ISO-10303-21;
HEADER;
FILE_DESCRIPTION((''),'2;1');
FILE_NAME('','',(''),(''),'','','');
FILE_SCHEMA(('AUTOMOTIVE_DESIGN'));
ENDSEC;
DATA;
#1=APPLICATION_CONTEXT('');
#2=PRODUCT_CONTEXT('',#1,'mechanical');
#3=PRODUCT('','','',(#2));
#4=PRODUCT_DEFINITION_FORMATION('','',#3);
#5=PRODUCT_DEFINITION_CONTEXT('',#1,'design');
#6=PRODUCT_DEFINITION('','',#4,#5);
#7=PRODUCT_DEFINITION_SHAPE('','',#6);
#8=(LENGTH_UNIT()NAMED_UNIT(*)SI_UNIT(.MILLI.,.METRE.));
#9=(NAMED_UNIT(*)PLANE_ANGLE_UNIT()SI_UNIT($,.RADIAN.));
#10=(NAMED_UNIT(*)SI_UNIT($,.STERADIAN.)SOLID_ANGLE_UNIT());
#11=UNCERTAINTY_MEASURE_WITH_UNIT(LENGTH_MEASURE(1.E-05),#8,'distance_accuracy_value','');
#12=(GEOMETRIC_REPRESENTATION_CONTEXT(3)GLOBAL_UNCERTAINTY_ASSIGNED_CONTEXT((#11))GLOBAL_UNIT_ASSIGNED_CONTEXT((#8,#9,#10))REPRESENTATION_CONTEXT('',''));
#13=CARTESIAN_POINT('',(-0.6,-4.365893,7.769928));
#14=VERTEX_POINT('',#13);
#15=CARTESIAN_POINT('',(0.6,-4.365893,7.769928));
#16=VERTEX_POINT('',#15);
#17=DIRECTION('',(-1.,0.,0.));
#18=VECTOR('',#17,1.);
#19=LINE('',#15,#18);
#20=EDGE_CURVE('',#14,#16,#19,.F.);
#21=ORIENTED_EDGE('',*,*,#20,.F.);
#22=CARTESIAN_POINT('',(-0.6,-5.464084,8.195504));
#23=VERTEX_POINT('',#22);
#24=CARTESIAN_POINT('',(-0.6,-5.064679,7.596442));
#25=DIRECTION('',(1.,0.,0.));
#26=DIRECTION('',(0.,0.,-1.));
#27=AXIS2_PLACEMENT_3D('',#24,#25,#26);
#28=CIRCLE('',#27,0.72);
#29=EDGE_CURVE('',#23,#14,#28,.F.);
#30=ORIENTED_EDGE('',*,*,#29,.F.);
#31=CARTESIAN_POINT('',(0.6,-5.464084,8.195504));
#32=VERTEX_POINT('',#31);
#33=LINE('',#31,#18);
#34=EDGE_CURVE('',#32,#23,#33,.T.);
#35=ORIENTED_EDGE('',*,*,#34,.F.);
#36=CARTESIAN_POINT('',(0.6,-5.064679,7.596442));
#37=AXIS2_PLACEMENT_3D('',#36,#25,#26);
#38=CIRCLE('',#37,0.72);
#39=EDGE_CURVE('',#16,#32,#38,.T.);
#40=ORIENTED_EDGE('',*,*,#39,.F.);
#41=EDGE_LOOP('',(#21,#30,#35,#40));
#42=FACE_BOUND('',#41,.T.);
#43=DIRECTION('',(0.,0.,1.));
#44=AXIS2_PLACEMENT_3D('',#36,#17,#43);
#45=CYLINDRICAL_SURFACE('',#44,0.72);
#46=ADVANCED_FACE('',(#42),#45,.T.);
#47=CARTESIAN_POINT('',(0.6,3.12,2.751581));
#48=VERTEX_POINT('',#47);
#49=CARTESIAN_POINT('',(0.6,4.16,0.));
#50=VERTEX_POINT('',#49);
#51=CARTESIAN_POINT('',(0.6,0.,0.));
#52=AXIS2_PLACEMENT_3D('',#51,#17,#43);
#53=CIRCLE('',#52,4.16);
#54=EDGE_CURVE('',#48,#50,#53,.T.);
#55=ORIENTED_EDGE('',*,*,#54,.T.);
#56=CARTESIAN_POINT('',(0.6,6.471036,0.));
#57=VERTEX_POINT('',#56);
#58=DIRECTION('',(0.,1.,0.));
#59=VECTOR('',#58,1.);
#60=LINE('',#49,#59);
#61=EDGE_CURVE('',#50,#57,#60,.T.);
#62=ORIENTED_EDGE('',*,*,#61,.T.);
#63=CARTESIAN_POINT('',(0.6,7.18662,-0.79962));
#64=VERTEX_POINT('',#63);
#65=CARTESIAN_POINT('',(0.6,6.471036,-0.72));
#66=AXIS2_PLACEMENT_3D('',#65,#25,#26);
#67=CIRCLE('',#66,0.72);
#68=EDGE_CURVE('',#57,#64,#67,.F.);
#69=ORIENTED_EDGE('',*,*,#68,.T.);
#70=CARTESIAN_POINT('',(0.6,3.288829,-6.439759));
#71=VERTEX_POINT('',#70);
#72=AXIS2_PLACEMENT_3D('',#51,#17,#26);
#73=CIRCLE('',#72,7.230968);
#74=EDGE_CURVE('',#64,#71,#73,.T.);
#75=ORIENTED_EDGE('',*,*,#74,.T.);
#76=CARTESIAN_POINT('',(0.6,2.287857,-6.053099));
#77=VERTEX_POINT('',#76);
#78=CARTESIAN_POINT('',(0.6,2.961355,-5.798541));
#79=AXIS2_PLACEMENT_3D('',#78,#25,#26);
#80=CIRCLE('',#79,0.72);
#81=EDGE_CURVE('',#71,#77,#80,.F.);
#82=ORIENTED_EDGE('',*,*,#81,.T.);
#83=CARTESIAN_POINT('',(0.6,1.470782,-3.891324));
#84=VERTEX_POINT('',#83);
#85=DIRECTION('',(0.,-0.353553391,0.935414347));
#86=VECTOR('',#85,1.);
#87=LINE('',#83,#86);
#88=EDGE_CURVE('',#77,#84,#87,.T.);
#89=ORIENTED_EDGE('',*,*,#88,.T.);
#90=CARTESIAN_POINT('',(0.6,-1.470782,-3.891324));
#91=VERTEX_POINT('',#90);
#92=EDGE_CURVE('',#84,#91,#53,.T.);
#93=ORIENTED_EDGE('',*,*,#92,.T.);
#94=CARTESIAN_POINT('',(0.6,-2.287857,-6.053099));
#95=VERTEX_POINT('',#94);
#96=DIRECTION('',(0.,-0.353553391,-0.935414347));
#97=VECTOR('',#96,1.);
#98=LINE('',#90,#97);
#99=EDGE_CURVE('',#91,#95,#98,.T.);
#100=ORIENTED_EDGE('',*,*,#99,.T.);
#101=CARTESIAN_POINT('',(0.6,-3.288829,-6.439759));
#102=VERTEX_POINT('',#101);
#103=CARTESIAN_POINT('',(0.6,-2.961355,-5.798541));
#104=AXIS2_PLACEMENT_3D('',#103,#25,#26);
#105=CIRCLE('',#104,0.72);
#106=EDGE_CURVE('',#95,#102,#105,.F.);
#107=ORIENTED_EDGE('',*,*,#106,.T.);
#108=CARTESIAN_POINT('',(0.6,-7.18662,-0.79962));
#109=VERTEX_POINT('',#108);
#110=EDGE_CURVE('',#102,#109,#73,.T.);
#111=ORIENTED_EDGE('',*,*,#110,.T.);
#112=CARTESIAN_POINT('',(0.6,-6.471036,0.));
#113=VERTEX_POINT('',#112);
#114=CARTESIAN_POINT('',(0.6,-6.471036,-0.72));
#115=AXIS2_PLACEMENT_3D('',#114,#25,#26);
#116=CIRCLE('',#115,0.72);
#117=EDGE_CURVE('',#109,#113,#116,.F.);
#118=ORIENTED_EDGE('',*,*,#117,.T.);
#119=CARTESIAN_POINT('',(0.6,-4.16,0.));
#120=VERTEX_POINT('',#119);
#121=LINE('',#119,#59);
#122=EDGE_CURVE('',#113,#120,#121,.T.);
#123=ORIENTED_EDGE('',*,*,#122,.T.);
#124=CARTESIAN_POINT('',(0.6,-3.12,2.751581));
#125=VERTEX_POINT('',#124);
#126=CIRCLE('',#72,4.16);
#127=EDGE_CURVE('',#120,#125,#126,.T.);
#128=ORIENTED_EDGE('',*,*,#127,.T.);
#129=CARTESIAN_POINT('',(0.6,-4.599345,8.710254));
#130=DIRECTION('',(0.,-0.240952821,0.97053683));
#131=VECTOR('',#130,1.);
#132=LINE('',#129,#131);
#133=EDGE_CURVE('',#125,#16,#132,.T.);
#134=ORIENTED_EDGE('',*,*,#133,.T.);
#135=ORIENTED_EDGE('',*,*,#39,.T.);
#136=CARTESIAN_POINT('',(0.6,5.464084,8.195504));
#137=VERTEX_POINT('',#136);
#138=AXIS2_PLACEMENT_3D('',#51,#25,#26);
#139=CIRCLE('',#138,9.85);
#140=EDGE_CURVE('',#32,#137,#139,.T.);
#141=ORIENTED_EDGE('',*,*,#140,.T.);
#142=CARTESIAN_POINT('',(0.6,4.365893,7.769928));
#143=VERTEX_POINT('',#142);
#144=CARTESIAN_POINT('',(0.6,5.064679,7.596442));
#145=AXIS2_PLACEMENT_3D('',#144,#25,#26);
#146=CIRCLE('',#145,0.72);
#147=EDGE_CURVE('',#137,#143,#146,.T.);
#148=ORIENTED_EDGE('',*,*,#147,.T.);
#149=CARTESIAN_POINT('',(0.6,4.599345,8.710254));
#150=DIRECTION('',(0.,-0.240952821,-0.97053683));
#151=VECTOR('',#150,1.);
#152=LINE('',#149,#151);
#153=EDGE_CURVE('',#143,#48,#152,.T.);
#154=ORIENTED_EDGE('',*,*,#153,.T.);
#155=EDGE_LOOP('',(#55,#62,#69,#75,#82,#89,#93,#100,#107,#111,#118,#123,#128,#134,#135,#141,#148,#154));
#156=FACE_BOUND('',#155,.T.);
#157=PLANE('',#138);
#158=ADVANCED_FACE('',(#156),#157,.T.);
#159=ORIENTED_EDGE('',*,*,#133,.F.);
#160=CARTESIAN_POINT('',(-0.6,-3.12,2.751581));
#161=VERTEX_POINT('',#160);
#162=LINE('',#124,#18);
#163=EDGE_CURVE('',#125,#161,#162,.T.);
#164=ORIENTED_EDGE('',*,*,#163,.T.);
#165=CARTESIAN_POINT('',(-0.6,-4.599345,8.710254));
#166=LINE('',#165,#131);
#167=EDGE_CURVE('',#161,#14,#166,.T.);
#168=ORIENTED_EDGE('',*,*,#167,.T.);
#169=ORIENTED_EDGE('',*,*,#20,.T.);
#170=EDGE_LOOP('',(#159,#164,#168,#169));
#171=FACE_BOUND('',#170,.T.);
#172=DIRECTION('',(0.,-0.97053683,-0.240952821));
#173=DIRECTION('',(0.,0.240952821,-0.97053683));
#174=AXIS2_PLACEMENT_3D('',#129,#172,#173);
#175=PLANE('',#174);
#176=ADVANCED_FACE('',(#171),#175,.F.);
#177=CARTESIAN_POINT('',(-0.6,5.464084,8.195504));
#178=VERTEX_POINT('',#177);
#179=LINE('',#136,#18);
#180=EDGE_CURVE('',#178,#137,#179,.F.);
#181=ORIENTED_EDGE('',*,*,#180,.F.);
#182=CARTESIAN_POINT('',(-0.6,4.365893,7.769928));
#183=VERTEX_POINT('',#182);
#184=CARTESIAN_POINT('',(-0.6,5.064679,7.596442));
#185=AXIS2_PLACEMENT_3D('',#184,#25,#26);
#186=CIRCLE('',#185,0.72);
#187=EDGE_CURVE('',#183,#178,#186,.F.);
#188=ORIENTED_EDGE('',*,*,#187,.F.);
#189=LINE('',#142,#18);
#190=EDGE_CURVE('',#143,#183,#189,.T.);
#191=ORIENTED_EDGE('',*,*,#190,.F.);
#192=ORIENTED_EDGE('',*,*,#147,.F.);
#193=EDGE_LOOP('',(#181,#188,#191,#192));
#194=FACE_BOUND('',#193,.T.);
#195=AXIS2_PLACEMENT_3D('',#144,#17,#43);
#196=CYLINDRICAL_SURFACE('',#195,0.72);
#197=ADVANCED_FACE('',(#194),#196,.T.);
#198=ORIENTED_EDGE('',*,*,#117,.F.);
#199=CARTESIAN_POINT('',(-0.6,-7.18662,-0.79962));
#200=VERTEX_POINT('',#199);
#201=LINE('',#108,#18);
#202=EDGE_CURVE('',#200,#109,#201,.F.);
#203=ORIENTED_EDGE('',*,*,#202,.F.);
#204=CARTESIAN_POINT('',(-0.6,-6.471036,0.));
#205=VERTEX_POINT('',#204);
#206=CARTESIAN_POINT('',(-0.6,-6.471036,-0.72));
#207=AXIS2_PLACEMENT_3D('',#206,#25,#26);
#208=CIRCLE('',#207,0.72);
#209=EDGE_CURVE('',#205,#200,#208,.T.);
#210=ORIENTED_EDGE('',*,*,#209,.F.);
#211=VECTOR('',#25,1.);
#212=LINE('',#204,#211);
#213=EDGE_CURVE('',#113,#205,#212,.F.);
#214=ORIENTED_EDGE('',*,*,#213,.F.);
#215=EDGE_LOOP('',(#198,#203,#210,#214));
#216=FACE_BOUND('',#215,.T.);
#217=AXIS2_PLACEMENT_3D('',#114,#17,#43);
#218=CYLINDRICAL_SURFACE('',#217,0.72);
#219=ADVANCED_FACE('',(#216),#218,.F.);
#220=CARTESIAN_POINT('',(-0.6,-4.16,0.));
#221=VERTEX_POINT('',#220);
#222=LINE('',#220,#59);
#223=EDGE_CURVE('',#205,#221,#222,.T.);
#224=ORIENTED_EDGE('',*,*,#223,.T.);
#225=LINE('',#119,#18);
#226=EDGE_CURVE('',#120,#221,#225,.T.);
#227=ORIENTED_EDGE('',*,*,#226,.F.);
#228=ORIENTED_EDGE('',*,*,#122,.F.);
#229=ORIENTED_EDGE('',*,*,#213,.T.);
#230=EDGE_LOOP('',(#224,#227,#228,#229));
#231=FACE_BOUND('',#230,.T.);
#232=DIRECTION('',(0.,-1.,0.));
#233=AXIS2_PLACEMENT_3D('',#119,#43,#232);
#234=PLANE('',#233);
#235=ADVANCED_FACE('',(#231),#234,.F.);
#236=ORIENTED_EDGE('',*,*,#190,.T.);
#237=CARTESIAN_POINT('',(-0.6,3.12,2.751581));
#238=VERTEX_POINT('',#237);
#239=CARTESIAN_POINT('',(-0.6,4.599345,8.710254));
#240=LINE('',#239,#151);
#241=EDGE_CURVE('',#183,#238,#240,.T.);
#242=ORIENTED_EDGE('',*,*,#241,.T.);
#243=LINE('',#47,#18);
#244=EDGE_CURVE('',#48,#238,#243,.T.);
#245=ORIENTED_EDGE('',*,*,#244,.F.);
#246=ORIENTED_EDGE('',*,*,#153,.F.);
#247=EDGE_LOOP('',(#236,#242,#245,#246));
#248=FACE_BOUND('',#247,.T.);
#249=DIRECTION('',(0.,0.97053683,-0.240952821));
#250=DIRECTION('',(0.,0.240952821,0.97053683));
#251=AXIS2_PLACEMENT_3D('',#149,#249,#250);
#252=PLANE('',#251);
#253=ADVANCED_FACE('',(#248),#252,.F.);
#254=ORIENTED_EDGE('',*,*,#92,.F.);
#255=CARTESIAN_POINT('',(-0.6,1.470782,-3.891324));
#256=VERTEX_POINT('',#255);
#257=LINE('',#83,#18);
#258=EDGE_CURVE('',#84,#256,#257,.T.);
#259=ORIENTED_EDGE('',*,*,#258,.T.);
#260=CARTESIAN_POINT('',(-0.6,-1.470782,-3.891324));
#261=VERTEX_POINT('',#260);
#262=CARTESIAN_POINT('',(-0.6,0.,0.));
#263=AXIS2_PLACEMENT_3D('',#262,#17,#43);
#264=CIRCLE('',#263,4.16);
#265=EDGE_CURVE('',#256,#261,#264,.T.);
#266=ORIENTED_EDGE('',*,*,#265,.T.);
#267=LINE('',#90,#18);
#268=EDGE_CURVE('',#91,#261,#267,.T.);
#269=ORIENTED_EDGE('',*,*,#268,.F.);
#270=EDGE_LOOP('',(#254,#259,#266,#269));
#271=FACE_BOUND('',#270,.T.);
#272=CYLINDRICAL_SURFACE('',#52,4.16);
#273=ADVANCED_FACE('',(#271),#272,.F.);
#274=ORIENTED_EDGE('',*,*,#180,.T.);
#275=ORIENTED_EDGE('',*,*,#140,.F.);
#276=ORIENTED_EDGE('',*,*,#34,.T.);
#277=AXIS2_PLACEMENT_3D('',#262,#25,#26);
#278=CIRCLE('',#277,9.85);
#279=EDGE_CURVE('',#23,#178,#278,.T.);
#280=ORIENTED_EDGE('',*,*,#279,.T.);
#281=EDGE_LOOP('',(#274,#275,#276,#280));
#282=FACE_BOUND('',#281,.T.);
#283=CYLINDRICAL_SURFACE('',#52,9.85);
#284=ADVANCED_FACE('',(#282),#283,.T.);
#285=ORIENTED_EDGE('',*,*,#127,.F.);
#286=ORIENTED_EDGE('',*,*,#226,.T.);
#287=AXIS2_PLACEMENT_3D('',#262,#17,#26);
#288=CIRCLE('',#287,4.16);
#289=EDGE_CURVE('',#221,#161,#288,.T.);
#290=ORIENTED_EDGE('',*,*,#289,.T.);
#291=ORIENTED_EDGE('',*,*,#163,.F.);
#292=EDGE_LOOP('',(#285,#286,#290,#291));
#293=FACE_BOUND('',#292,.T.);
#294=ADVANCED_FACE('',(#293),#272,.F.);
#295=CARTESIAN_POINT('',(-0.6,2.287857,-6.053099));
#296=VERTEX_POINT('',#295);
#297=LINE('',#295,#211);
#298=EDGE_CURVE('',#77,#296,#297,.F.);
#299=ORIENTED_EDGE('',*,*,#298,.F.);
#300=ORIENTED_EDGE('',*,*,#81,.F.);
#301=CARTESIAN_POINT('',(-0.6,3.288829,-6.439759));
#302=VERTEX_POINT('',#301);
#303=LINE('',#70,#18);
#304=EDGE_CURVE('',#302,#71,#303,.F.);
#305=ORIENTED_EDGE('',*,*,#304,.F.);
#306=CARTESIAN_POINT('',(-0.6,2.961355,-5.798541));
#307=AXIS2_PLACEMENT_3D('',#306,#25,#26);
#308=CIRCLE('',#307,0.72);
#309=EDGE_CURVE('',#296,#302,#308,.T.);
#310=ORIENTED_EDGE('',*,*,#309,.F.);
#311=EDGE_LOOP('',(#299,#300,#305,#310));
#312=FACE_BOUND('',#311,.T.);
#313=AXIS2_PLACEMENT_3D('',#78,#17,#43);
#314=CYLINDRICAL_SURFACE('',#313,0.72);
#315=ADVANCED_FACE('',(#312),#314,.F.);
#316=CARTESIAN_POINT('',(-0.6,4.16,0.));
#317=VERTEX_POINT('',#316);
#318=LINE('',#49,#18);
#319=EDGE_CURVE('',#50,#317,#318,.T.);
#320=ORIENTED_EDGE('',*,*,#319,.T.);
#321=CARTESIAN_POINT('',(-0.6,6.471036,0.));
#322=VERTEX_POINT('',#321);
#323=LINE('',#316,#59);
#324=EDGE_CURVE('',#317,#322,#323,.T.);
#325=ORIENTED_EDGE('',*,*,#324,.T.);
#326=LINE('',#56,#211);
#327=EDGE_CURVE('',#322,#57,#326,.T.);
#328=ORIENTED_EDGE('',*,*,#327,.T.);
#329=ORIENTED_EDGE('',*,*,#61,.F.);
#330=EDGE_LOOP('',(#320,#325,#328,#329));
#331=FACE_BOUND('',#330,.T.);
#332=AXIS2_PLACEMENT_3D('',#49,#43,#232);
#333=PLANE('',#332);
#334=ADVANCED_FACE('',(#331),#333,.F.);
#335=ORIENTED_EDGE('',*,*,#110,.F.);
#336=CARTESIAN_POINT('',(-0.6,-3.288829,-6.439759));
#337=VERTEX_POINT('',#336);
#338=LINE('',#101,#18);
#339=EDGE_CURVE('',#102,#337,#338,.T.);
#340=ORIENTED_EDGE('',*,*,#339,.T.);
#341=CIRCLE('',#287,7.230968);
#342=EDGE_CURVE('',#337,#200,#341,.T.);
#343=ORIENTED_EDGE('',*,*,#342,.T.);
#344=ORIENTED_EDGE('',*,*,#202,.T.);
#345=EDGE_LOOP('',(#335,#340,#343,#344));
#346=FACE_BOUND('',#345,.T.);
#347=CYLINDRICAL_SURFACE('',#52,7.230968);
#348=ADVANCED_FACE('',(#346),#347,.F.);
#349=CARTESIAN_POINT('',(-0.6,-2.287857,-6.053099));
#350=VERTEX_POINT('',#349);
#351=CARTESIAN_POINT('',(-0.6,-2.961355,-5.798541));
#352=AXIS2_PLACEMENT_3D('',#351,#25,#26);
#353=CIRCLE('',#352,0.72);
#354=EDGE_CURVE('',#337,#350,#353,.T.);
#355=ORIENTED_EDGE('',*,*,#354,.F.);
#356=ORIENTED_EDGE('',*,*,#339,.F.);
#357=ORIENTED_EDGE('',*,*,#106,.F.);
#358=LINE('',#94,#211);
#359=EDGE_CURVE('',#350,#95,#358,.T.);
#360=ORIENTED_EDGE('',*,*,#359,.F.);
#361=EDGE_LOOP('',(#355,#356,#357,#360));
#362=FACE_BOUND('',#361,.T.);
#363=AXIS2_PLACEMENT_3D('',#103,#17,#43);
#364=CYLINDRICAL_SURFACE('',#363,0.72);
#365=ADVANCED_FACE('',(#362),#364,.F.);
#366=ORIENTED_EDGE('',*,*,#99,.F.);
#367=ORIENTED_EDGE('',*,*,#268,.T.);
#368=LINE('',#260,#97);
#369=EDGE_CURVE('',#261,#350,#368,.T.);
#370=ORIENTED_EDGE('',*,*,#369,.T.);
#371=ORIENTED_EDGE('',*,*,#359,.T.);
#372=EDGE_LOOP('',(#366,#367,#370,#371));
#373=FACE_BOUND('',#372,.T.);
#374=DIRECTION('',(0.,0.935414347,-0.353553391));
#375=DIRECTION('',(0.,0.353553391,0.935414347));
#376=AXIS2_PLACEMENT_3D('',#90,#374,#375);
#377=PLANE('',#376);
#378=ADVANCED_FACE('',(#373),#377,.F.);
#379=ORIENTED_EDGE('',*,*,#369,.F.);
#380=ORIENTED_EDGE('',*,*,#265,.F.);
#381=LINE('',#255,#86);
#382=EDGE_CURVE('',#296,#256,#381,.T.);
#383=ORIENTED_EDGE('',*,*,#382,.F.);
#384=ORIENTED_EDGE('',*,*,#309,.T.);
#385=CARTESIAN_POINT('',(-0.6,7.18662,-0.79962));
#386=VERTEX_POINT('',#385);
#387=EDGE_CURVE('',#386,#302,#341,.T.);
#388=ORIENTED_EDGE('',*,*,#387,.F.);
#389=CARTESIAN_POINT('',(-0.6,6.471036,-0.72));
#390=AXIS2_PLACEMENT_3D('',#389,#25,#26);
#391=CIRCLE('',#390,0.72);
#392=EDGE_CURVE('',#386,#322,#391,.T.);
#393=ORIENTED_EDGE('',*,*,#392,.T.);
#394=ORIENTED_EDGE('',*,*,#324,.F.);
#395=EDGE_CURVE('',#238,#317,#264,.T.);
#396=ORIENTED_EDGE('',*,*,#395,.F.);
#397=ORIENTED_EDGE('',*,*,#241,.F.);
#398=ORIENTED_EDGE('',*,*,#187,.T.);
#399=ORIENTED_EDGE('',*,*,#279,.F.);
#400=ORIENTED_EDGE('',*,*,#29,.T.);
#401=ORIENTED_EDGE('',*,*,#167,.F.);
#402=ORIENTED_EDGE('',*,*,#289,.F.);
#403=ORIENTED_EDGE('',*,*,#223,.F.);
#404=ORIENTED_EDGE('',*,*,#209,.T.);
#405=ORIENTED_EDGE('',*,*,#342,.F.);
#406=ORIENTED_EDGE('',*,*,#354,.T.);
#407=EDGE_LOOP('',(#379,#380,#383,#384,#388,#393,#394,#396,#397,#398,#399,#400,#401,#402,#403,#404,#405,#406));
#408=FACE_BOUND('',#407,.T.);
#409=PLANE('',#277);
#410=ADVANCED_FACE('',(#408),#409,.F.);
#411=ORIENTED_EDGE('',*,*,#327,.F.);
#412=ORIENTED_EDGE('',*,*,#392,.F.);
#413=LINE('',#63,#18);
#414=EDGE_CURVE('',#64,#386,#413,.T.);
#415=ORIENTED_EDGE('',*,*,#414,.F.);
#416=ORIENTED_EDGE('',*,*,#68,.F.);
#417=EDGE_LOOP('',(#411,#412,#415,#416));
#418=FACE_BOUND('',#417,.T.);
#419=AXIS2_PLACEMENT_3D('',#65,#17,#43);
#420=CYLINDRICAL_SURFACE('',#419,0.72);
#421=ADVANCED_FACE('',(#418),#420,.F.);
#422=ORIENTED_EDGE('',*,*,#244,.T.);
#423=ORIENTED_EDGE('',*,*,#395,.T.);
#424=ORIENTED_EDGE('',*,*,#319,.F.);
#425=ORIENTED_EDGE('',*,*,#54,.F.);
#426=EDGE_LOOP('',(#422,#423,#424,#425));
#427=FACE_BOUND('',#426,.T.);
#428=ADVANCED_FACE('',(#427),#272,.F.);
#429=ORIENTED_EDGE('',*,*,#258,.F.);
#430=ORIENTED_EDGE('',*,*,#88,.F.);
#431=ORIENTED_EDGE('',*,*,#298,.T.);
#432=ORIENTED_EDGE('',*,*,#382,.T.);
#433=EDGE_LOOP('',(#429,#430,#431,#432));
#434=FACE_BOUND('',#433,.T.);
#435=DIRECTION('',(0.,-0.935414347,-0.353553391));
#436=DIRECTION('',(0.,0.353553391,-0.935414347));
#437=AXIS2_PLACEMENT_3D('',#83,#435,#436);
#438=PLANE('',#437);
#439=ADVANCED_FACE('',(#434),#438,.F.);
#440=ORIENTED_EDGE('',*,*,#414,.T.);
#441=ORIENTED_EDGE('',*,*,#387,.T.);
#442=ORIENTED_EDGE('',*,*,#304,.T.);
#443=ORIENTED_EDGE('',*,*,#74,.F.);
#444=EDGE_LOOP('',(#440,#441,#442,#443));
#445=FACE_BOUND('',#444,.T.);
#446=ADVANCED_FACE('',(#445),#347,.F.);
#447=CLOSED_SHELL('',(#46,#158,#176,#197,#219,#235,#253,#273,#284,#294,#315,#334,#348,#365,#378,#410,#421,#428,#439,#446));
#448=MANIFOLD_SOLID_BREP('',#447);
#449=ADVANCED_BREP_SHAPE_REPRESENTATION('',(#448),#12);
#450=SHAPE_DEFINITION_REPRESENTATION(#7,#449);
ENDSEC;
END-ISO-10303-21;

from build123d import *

# Parameters (mm, degrees)
EXTRUDE1_DEPTH = 0.6
FILLET1_R      = 0.72


with BuildPart() as part:
    # Sketch1 → Extrude1 (new body, symmetric)
    with BuildSketch(Plane(origin=(0, 0, 0), x_dir=(0, 0, -1), z_dir=(1, 0, 0))):
        with BuildLine():
            Line((-8.710253959, -4.599345167), (-2.751581364, -3.12))
            ThreePointArc((-2.751581364, -3.12), (-1.470782105, -3.891323682), (0, -4.16))
            Line((0, -4.16), (0, -7.230967742))
            ThreePointArc((0, -7.230967742), (4.111002655, -5.948659652), (6.763950966, -2.556533162))
            Line((6.763950966, -2.556533162), (3.891323682, -1.470782105))
            ThreePointArc((3.891323682, -1.470782105), (4.16, 0), (3.891323682, 1.470782105))
            Line((3.891323682, 1.470782105), (6.763950966, 2.556533162))
            ThreePointArc((6.763950966, 2.556533162), (4.111002655, 5.948659652), (0, 7.230967742))
            Line((0, 7.230967742), (0, 4.16))
            ThreePointArc((0, 4.16), (-1.470782105, 3.891323682), (-2.751581364, 3.12))
            Line((-2.751581364, 3.12), (-8.710253959, 4.599345167))
            ThreePointArc((-8.710253959, 4.599345167), (9.85, 0), (-8.710253959, -4.599345167))
        make_face()
    extrude(amount=EXTRUDE1_DEPTH, both=True)

    # Fillet1
    fillet1_edges = [part.edges().sort_by_distance(p)[0] for p in [
        (0, -4.599345167, 8.710253959),
        (0, -7.230967742, 0),
        (0, -2.556533162, -6.763950966),
        (0, 2.556533162, -6.763950966),
        (0, 7.230967742, 0),
        (0, 4.599345167, 8.710253959),
    ]]
    fillet(fillet1_edges, radius=FILLET1_R)


solid = part.part
